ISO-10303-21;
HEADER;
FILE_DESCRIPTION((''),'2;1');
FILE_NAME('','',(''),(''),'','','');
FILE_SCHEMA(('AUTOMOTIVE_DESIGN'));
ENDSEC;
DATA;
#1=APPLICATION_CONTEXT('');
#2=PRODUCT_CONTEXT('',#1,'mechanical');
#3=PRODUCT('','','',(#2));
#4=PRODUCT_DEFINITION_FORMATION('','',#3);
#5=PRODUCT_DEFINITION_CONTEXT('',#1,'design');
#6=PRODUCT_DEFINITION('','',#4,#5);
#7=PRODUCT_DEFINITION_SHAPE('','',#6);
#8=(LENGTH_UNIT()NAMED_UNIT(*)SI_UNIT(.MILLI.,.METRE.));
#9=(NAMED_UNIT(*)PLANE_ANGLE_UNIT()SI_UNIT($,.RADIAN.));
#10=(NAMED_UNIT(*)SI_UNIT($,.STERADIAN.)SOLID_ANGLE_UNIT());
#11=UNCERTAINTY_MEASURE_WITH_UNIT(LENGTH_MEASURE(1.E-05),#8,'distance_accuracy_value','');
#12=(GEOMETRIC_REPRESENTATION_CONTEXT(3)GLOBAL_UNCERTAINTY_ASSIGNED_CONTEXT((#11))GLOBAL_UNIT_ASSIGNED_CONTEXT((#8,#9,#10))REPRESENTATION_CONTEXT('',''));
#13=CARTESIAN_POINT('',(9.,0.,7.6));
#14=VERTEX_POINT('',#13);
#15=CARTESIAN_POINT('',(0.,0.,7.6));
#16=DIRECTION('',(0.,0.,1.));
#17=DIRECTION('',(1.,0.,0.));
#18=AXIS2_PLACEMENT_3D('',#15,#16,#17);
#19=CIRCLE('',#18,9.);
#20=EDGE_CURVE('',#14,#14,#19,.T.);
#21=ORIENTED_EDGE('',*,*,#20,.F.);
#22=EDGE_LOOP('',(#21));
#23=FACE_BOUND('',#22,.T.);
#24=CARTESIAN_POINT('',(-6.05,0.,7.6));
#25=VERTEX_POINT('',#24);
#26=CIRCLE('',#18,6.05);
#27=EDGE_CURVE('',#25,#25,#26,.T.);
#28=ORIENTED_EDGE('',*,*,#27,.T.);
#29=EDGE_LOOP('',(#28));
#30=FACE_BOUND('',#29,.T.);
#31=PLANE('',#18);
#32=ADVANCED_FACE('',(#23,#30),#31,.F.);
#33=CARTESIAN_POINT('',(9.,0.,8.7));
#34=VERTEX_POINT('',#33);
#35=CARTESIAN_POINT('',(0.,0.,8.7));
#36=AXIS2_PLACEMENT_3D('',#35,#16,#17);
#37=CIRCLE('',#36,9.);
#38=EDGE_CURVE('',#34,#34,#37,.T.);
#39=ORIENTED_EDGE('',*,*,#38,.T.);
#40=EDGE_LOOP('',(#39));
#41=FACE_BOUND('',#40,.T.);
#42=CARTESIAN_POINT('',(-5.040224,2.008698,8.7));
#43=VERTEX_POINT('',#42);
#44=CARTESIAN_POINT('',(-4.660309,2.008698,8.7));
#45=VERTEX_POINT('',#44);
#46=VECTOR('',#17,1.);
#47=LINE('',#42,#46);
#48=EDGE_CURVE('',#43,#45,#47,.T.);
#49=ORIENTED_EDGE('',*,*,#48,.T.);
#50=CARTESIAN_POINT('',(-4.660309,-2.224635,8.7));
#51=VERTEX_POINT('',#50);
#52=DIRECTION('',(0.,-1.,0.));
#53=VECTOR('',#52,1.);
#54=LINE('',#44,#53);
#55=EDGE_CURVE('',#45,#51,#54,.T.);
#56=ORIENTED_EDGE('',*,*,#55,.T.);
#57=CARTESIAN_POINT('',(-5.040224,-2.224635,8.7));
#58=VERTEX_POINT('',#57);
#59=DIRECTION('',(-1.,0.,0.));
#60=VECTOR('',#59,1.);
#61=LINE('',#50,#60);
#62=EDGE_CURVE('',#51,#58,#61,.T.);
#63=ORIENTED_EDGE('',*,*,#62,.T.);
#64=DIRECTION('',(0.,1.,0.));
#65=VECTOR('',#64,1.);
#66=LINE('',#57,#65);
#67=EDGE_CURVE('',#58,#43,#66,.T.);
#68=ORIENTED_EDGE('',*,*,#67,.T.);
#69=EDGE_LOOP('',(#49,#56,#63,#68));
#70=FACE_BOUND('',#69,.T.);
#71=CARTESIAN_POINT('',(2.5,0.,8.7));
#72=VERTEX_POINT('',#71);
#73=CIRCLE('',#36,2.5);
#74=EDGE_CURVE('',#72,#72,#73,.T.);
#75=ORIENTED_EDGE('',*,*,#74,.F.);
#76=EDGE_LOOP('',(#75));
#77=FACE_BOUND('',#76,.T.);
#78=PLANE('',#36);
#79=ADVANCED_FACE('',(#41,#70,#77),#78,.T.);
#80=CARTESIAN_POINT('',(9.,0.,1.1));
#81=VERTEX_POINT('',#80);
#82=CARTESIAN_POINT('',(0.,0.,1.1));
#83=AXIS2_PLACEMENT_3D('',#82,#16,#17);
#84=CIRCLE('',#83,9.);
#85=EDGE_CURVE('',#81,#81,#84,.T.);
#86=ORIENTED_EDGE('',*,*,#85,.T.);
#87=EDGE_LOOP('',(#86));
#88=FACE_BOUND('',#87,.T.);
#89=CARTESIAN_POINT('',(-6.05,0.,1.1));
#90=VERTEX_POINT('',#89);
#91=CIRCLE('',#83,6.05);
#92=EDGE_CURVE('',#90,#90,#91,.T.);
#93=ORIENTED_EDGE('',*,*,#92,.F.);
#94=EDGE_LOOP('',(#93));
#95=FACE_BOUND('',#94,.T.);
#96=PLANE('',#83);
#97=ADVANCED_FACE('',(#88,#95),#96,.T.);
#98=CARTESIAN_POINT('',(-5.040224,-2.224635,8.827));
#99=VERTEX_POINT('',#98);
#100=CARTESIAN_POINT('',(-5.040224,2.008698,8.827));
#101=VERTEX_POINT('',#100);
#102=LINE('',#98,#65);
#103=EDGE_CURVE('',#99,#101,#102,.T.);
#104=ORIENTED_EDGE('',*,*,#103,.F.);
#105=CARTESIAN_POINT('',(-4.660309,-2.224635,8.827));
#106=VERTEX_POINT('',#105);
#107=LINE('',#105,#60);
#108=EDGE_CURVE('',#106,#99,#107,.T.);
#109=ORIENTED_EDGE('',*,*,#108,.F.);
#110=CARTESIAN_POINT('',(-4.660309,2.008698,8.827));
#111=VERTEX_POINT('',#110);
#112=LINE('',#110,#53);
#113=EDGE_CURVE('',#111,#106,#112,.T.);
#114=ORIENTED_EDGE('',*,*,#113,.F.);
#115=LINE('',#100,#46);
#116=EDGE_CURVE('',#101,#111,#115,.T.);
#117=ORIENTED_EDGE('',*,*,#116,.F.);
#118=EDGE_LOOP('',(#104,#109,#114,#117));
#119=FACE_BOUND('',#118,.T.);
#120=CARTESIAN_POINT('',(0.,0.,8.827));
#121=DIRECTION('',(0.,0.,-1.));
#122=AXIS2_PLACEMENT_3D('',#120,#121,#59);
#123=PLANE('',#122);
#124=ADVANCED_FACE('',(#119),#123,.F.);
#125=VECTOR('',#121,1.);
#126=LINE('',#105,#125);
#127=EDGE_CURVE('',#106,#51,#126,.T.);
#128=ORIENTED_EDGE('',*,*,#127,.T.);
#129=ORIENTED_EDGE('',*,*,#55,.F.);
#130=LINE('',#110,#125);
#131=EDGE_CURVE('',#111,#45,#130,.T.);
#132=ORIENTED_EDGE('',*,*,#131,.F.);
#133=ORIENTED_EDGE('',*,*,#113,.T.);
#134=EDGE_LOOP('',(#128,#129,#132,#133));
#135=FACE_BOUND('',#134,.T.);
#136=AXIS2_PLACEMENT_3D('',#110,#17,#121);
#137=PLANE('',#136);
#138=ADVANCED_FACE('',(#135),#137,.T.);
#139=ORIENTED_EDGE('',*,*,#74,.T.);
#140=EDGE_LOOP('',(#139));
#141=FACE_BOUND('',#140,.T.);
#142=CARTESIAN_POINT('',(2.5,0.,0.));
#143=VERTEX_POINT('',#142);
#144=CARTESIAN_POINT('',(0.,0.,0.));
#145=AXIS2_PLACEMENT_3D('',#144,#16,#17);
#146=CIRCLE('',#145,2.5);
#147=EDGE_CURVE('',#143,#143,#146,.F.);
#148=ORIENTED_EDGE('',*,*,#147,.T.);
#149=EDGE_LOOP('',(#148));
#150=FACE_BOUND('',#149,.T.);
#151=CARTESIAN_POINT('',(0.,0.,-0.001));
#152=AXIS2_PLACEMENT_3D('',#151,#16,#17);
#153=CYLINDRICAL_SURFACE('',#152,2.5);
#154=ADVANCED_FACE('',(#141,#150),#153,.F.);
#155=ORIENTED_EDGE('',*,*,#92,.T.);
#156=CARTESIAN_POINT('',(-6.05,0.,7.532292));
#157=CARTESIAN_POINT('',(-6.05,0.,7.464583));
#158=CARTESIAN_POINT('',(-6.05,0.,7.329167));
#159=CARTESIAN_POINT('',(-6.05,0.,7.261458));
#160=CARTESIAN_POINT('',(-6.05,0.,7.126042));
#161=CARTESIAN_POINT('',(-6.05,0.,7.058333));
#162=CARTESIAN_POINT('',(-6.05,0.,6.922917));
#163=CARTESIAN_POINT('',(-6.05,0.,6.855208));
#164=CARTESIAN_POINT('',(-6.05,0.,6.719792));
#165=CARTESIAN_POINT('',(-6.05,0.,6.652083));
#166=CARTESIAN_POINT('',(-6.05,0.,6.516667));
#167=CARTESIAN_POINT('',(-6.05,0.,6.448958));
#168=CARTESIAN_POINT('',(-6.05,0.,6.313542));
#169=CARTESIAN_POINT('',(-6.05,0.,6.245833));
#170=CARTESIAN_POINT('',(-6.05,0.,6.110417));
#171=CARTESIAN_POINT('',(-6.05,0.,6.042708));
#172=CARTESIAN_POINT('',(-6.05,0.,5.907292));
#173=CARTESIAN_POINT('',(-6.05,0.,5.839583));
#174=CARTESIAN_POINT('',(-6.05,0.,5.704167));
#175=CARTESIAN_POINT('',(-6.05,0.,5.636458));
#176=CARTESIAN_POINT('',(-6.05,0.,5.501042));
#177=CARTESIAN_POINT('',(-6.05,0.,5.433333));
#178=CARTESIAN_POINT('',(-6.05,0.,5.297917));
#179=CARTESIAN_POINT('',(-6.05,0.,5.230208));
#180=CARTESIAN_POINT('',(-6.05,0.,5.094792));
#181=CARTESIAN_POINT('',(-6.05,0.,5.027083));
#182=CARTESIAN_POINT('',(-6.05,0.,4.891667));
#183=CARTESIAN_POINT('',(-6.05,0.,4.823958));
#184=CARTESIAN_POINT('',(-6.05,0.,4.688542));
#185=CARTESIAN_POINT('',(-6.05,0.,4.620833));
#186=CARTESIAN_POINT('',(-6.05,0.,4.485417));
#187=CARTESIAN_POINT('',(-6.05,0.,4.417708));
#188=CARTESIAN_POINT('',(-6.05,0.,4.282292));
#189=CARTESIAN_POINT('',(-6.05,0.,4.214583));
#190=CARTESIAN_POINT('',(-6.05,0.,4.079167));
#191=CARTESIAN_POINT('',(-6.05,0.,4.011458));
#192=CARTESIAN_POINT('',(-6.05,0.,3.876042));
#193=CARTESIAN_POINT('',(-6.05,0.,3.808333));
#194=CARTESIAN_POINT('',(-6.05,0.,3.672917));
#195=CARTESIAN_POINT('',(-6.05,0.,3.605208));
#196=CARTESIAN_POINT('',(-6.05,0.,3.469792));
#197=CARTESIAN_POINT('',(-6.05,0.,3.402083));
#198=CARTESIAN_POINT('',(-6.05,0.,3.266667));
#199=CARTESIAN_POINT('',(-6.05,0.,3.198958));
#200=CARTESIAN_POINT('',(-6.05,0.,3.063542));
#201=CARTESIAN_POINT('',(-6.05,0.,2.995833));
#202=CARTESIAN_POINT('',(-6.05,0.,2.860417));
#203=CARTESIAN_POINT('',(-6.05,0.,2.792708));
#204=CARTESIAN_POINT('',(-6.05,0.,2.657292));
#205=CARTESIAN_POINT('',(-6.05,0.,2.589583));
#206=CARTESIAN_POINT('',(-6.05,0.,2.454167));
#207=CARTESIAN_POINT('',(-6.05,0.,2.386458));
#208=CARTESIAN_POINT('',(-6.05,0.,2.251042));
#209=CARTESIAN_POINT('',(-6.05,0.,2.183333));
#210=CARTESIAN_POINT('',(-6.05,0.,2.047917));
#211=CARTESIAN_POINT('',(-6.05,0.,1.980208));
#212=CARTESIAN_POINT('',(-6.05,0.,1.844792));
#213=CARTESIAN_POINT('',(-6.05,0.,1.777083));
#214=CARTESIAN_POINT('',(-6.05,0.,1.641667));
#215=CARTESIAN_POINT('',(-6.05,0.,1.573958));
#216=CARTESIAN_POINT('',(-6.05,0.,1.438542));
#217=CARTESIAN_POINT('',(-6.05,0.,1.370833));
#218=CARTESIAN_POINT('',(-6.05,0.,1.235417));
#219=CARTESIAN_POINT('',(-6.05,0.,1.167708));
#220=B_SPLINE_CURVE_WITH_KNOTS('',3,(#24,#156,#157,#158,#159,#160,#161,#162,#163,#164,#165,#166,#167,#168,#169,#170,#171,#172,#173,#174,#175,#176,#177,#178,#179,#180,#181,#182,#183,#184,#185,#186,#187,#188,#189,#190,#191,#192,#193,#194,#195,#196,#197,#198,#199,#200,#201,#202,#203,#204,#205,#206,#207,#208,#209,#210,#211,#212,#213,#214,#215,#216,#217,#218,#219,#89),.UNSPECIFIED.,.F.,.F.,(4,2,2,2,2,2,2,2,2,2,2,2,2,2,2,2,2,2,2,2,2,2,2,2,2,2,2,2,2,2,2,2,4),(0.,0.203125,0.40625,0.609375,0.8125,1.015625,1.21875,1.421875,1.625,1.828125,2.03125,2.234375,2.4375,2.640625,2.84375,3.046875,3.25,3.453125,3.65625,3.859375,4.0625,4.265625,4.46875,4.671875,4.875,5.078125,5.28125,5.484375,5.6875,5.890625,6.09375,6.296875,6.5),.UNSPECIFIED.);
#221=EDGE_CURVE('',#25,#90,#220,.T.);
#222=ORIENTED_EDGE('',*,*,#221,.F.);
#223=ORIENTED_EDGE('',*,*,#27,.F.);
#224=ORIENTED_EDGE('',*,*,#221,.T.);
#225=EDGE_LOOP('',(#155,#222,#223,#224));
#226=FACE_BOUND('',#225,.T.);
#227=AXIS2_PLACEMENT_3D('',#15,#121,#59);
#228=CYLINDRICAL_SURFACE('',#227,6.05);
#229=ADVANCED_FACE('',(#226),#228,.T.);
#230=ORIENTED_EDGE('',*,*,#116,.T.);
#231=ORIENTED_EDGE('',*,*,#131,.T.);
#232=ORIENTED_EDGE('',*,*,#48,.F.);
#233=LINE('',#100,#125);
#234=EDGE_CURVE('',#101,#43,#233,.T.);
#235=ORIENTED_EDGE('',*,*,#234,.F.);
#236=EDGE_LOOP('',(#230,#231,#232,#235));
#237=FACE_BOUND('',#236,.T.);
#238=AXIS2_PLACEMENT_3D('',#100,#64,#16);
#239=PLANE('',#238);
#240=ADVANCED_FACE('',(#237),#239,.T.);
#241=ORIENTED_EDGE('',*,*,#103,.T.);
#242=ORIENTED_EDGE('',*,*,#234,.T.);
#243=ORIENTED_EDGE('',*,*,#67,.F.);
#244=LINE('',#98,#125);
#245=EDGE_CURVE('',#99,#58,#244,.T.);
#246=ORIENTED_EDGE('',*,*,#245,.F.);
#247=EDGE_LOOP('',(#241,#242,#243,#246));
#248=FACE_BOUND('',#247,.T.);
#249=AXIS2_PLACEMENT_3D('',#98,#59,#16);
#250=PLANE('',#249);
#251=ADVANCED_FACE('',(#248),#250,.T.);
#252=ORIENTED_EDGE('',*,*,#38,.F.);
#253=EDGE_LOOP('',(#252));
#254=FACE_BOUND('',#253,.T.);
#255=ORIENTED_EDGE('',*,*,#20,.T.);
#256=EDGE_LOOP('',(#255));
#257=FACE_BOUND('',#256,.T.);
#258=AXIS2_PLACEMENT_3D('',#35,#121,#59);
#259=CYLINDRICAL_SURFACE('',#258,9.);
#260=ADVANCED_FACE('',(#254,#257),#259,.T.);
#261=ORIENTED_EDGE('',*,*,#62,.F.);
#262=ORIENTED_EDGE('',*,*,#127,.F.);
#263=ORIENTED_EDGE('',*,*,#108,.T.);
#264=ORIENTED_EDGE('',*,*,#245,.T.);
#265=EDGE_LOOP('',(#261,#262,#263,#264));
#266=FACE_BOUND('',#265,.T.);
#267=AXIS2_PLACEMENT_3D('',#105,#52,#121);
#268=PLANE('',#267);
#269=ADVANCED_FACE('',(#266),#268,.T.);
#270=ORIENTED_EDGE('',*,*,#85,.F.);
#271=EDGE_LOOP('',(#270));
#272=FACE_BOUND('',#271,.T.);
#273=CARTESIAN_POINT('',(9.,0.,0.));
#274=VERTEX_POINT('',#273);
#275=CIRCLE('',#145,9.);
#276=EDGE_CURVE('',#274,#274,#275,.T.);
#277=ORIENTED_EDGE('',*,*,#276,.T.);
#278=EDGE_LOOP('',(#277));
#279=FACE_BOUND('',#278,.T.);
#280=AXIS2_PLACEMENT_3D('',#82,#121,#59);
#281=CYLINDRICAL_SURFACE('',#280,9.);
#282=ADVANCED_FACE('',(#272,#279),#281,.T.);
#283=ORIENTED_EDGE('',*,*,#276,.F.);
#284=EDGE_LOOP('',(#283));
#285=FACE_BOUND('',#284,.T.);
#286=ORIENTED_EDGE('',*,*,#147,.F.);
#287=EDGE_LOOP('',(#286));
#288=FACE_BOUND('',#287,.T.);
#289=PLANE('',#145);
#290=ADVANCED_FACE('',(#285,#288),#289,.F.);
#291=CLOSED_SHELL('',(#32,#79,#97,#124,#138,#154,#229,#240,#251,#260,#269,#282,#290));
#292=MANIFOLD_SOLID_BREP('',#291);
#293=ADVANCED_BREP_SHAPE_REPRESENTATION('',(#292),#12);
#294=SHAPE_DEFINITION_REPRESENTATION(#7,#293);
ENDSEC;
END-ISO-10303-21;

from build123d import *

# Parameters (mm, degrees)
SKETCH1_R           = 9
BOSS_EXTRUDE1_DEPTH = 1.1
SKETCH2_R           = 6.05
BOSS_EXTRUDE2_DEPTH = 6.5
SKETCH3_R           = 9
BOSS_EXTRUDE3_DEPTH = 1.1
CUT_EXTRUDE1_REACH  = 17.417
SKETCH4_R           = 2.5
SKETCH5_W           = 0.37991453
SKETCH5_H           = 4.233333334
BOSS_EXTRUDE4_DEPTH = 0.127


with BuildPart() as part:
    # Sketch1 → Boss-Extrude1 (new body)
    with BuildSketch(Plane.XY):
        Circle(SKETCH1_R)
    extrude(amount=BOSS_EXTRUDE1_DEPTH)

    # Sketch2 → Boss-Extrude2 (add)
    with BuildSketch(Plane.XY.offset(1.1)):
        with Locations(Location((0, 0, 0), (0, 0, 180))):
            Circle(SKETCH2_R)
    extrude(amount=BOSS_EXTRUDE2_DEPTH)

    # Sketch3 → Boss-Extrude3 (add)
    with BuildSketch(Plane.XY.offset(7.6)):
        Circle(SKETCH3_R)
    extrude(amount=BOSS_EXTRUDE3_DEPTH)

    # Sketch4 → Cut-Extrude1 (cut, up to next)
    with BuildSketch(Plane.XY.offset(8.7), mode=Mode.PRIVATE) as cut_extrude1_sk1:
        Circle(SKETCH4_R)
    cut_extrude1_tool1 = extrude(cut_extrude1_sk1.sketch, amount=-CUT_EXTRUDE1_REACH, mode=Mode.PRIVATE) & part.part
    add(cut_extrude1_tool1.solids().sort_by_distance((0, 0, 8.7))[0], mode=Mode.SUBTRACT)

    # Sketch5 → Boss-Extrude4 (add)
    with BuildSketch(Plane.XY.offset(8.7)):
        with Locations((-4.850266592, -0.107968693)):
            Rectangle(SKETCH5_W, SKETCH5_H)
    extrude(amount=BOSS_EXTRUDE4_DEPTH)


solid = part.part
